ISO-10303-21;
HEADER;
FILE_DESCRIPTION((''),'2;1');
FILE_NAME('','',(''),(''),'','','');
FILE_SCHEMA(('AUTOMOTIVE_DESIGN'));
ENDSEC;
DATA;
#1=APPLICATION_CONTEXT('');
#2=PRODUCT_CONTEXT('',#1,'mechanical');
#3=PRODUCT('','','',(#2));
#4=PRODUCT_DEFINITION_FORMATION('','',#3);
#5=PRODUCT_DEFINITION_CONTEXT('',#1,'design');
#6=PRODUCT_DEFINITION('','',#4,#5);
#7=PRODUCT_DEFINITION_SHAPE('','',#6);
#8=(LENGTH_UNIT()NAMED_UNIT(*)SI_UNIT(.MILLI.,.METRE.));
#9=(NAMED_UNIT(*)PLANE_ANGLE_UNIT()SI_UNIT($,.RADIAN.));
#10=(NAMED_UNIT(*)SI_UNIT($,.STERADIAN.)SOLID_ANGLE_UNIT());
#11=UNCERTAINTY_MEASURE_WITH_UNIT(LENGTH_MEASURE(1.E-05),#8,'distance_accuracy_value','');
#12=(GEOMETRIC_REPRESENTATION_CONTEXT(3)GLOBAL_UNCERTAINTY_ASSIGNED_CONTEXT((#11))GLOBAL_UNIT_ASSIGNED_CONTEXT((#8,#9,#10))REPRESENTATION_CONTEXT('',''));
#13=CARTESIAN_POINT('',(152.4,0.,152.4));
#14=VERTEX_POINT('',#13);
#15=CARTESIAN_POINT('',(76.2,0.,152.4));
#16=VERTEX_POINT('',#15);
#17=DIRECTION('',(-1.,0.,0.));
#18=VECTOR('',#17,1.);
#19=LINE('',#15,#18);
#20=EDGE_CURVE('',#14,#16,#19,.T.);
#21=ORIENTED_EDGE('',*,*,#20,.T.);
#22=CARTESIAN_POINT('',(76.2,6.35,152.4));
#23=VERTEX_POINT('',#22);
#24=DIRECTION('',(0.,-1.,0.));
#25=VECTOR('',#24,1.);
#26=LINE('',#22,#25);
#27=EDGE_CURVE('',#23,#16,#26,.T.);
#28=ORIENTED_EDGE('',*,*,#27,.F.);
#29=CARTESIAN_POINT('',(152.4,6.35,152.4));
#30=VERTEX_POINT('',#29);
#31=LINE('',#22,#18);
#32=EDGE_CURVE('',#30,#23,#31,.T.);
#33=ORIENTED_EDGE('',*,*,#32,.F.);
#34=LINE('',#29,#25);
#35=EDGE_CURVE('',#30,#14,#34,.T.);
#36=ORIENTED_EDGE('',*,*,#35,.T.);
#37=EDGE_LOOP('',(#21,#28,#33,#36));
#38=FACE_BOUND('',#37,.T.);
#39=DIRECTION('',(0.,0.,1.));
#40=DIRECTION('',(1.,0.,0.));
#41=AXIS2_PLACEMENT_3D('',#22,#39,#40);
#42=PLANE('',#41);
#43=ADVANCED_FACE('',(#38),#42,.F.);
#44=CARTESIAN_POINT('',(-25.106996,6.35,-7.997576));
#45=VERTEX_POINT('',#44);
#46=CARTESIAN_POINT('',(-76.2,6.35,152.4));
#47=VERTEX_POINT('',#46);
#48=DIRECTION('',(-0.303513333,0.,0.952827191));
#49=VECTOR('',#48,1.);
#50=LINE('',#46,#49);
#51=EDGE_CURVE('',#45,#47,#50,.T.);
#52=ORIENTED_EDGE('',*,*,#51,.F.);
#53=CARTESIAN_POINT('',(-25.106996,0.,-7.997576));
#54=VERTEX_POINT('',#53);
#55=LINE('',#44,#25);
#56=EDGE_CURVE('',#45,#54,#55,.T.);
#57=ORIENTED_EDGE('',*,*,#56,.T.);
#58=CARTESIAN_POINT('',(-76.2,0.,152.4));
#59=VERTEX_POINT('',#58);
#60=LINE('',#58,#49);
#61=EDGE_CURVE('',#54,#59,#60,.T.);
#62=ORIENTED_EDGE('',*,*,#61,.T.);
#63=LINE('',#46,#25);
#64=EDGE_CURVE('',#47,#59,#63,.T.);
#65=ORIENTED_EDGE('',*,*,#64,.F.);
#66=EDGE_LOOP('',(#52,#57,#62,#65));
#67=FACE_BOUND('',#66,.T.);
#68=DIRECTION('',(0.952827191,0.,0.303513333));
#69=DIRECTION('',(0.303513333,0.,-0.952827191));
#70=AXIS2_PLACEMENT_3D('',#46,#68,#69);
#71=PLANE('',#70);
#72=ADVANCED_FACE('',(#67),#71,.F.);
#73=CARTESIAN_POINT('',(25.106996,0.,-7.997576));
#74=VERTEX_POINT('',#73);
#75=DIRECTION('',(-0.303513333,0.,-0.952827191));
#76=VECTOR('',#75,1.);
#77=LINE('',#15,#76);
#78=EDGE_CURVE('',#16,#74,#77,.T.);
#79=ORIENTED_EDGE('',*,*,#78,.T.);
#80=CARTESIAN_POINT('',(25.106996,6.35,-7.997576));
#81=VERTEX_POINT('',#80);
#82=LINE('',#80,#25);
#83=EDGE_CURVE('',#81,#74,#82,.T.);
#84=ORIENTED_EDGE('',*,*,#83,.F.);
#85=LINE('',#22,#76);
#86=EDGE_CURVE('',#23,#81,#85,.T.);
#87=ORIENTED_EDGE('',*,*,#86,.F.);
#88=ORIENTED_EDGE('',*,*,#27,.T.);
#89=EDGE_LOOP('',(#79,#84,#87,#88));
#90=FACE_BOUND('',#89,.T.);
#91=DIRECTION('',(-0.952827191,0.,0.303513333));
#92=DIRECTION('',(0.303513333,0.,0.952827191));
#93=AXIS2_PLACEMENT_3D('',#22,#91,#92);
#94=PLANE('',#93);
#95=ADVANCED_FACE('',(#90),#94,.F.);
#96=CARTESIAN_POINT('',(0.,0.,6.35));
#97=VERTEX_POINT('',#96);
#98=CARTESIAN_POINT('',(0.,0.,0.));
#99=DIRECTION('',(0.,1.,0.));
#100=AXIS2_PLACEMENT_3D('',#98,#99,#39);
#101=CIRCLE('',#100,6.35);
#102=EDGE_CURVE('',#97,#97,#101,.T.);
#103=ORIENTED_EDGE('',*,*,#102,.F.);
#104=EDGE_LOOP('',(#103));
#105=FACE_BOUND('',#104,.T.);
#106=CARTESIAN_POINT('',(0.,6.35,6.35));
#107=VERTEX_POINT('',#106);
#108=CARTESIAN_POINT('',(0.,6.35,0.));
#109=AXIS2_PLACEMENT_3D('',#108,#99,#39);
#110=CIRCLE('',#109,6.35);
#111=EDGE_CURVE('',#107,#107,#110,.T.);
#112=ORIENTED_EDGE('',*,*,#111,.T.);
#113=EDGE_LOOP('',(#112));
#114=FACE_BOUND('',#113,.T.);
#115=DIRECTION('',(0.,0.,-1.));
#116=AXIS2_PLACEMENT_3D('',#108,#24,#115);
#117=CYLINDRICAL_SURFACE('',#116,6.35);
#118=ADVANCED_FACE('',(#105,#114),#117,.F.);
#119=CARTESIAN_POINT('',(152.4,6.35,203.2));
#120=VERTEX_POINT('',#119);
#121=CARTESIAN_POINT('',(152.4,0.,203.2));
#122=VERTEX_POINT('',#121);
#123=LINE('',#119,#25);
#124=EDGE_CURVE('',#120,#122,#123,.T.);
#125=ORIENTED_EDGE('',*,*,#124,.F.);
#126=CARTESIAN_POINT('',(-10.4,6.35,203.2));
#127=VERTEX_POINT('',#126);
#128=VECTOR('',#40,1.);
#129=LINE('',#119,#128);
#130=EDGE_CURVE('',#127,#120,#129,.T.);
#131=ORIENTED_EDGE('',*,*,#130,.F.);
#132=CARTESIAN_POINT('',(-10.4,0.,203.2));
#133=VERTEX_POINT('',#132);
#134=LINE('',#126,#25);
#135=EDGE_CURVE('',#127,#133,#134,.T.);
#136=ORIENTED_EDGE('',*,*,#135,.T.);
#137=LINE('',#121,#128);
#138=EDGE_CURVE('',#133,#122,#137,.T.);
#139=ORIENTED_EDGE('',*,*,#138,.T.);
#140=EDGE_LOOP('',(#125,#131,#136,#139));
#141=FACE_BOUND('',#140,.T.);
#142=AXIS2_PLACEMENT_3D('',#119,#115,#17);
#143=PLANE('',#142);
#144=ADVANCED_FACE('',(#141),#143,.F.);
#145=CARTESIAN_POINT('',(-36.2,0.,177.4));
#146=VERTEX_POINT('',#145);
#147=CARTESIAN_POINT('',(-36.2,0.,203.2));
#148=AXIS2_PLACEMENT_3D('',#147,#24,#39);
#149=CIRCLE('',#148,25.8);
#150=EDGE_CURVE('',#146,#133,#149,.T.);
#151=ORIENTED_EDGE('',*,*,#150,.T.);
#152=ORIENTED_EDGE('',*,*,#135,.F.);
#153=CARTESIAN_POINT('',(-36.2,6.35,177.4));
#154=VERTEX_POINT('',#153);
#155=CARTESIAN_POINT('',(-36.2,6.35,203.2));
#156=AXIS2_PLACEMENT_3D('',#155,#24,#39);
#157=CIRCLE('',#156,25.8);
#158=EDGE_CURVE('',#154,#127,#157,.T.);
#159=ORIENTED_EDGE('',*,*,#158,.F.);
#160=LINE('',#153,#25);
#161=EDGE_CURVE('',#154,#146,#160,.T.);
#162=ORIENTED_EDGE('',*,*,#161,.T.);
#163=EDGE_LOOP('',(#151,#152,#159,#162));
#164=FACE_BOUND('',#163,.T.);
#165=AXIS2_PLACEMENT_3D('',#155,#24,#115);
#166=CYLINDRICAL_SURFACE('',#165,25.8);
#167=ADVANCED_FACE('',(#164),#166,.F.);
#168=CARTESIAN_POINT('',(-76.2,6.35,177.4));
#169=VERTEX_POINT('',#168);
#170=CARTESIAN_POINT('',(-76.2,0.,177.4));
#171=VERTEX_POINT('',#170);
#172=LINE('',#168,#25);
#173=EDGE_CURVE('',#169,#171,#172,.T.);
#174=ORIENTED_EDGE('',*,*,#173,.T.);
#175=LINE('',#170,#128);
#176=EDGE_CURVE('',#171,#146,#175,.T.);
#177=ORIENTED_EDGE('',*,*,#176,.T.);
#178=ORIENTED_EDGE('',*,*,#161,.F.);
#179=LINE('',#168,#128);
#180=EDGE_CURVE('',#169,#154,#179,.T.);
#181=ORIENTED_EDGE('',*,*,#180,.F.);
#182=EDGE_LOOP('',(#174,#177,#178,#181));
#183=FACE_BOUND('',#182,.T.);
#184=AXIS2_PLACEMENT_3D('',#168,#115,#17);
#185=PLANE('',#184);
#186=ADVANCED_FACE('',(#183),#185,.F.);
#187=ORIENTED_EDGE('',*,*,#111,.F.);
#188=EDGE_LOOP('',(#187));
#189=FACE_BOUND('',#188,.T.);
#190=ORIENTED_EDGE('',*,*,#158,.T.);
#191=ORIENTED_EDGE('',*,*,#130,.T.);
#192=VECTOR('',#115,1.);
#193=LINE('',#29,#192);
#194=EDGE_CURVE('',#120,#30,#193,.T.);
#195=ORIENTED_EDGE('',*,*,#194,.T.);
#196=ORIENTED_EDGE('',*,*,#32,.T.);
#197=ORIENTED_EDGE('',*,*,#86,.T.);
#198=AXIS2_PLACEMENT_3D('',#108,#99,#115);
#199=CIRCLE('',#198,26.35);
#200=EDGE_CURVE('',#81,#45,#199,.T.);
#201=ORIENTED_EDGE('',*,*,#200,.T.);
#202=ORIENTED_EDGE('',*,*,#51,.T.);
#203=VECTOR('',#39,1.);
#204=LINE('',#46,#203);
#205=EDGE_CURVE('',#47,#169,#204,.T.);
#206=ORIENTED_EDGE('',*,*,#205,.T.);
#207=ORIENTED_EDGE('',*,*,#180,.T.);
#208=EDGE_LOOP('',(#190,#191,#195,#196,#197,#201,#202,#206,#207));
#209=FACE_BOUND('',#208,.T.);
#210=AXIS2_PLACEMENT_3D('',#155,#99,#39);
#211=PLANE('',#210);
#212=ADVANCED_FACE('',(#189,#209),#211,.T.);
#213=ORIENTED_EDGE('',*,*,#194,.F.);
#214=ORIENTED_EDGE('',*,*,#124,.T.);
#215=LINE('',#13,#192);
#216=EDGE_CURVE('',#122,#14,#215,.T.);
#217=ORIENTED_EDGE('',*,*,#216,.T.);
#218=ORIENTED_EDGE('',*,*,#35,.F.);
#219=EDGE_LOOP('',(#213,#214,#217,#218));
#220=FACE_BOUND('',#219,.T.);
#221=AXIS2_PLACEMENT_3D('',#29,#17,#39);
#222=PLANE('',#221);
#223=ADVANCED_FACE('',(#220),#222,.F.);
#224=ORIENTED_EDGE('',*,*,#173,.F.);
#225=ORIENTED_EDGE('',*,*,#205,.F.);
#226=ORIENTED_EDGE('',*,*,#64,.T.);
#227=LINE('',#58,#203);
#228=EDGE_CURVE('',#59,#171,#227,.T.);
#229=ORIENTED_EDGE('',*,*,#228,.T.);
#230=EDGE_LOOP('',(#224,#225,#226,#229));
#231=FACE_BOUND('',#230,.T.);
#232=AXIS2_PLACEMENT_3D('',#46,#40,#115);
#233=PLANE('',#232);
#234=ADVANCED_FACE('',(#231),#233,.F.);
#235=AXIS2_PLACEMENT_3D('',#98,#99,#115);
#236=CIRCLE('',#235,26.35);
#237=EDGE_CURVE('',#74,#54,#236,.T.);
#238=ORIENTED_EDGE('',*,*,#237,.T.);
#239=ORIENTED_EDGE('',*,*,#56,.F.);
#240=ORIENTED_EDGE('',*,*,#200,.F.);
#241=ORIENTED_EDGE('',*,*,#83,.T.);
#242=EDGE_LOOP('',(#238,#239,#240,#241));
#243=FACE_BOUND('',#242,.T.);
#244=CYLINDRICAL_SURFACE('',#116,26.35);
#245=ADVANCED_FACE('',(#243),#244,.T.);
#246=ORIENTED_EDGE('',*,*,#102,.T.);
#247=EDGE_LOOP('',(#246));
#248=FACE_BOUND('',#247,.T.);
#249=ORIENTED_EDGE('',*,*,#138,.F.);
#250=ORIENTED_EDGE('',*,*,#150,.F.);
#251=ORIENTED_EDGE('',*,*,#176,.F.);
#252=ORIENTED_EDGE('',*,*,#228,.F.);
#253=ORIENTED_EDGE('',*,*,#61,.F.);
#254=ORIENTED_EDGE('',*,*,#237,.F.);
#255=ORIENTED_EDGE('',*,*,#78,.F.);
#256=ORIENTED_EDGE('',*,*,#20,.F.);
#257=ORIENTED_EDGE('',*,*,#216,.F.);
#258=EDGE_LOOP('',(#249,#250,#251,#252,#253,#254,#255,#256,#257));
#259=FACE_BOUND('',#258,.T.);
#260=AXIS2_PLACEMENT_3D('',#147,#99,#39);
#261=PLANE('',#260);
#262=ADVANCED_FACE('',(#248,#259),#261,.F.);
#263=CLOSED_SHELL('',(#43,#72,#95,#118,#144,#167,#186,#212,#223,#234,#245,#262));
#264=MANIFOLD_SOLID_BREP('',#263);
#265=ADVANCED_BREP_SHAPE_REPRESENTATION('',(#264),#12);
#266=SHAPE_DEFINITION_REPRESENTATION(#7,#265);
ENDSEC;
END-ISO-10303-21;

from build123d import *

# Parameters (mm, degrees)
SKETCH1_R           = 6.35
BOSS_EXTRUDE1_DEPTH = 6.35


with BuildPart() as part:
    # Sketch1 → Boss-Extrude1 (new body)
    with BuildSketch(Plane(origin=(0, 0, 0), x_dir=(1, 0, 0), z_dir=(0, 1, 0))):
        with BuildLine():
            Line((76.2, -152.4), (25.106996492, 7.99757633))
            ThreePointArc((25.106996492, 7.99757633), (0, 26.35), (-25.106996492, 7.99757633))
            Line((-25.106996492, 7.99757633), (-76.2, -152.4))
            Line((-76.2, -152.4), (-76.2, -177.4))
            Line((-76.2, -177.4), (-36.2, -177.4))
            ThreePointArc((-36.2, -177.4), (-17.956645045, -184.956645045), (-10.4, -203.2))
            Line((-10.4, -203.2), (152.4, -203.2))
            Line((152.4, -203.2), (152.4, -152.4))
            Line((152.4, -152.4), (76.2, -152.4))
        make_face()
        Circle(SKETCH1_R, mode=Mode.SUBTRACT)
    extrude(amount=BOSS_EXTRUDE1_DEPTH)


solid = part.part
